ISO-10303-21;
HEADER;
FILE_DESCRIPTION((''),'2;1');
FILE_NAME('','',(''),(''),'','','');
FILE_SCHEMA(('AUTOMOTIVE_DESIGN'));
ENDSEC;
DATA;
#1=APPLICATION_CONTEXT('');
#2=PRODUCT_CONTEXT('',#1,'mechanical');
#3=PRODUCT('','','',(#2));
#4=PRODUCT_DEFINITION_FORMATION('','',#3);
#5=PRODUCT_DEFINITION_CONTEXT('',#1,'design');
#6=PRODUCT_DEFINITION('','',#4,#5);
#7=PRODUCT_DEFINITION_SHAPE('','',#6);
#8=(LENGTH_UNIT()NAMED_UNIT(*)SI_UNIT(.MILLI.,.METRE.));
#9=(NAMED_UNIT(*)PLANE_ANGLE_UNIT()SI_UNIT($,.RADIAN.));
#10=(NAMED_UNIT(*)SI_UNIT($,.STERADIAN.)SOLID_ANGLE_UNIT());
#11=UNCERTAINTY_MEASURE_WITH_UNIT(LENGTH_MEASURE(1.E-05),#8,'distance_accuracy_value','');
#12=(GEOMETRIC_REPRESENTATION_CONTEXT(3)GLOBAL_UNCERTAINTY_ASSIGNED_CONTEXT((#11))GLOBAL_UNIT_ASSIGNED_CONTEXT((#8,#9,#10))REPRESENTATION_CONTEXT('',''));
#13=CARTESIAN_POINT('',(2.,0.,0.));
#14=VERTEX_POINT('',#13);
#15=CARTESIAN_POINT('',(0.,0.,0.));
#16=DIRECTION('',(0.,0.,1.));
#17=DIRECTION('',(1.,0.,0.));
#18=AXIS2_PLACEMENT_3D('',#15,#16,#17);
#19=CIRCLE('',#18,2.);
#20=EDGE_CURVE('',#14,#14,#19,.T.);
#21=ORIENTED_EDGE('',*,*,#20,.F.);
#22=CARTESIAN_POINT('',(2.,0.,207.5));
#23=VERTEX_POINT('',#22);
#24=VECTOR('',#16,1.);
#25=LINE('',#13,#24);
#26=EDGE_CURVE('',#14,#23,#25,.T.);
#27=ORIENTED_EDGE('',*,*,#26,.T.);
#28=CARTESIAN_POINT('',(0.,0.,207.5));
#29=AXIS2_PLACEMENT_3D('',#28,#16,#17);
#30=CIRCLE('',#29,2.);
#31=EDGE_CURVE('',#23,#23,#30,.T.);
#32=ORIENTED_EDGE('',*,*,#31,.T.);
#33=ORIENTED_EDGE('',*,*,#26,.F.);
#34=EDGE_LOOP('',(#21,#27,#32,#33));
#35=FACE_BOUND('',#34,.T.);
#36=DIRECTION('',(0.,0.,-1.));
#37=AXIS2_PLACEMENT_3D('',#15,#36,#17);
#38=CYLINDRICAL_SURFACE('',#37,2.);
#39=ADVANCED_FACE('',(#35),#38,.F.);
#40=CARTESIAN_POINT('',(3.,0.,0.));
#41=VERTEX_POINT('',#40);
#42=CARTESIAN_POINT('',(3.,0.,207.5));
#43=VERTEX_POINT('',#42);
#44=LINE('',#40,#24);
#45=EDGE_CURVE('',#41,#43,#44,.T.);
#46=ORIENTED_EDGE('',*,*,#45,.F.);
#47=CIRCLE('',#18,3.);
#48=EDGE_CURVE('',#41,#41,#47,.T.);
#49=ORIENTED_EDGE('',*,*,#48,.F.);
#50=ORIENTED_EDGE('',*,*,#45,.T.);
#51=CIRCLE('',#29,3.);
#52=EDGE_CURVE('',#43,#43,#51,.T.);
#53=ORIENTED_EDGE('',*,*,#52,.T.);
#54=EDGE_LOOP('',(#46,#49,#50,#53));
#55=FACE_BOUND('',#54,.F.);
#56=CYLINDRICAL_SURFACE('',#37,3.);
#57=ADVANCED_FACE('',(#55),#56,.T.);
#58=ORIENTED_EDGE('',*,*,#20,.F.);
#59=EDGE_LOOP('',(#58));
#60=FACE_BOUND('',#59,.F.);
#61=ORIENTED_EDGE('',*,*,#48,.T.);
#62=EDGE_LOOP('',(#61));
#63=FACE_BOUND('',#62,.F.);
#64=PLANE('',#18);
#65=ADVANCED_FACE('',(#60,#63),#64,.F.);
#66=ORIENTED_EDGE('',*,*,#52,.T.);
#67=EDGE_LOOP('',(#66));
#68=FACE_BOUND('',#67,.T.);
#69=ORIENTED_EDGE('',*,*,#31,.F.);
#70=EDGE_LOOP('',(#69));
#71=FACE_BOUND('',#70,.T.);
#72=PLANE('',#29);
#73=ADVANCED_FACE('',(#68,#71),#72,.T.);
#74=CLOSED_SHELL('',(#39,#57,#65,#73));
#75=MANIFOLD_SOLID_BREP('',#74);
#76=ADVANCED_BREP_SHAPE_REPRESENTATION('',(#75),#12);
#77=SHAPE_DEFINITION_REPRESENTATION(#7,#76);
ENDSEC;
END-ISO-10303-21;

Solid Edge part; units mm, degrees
sketch "Sketch1" plane through (0, 0, 0) normal (0, 0, 1) x (1, 0, 0)
  circle A0 centre (0, 0) radius 2
  circle A1 centre (0, 0) radius 3
extrude "Protrusion1" add sketch "Sketch1" along normal blind 207.5
